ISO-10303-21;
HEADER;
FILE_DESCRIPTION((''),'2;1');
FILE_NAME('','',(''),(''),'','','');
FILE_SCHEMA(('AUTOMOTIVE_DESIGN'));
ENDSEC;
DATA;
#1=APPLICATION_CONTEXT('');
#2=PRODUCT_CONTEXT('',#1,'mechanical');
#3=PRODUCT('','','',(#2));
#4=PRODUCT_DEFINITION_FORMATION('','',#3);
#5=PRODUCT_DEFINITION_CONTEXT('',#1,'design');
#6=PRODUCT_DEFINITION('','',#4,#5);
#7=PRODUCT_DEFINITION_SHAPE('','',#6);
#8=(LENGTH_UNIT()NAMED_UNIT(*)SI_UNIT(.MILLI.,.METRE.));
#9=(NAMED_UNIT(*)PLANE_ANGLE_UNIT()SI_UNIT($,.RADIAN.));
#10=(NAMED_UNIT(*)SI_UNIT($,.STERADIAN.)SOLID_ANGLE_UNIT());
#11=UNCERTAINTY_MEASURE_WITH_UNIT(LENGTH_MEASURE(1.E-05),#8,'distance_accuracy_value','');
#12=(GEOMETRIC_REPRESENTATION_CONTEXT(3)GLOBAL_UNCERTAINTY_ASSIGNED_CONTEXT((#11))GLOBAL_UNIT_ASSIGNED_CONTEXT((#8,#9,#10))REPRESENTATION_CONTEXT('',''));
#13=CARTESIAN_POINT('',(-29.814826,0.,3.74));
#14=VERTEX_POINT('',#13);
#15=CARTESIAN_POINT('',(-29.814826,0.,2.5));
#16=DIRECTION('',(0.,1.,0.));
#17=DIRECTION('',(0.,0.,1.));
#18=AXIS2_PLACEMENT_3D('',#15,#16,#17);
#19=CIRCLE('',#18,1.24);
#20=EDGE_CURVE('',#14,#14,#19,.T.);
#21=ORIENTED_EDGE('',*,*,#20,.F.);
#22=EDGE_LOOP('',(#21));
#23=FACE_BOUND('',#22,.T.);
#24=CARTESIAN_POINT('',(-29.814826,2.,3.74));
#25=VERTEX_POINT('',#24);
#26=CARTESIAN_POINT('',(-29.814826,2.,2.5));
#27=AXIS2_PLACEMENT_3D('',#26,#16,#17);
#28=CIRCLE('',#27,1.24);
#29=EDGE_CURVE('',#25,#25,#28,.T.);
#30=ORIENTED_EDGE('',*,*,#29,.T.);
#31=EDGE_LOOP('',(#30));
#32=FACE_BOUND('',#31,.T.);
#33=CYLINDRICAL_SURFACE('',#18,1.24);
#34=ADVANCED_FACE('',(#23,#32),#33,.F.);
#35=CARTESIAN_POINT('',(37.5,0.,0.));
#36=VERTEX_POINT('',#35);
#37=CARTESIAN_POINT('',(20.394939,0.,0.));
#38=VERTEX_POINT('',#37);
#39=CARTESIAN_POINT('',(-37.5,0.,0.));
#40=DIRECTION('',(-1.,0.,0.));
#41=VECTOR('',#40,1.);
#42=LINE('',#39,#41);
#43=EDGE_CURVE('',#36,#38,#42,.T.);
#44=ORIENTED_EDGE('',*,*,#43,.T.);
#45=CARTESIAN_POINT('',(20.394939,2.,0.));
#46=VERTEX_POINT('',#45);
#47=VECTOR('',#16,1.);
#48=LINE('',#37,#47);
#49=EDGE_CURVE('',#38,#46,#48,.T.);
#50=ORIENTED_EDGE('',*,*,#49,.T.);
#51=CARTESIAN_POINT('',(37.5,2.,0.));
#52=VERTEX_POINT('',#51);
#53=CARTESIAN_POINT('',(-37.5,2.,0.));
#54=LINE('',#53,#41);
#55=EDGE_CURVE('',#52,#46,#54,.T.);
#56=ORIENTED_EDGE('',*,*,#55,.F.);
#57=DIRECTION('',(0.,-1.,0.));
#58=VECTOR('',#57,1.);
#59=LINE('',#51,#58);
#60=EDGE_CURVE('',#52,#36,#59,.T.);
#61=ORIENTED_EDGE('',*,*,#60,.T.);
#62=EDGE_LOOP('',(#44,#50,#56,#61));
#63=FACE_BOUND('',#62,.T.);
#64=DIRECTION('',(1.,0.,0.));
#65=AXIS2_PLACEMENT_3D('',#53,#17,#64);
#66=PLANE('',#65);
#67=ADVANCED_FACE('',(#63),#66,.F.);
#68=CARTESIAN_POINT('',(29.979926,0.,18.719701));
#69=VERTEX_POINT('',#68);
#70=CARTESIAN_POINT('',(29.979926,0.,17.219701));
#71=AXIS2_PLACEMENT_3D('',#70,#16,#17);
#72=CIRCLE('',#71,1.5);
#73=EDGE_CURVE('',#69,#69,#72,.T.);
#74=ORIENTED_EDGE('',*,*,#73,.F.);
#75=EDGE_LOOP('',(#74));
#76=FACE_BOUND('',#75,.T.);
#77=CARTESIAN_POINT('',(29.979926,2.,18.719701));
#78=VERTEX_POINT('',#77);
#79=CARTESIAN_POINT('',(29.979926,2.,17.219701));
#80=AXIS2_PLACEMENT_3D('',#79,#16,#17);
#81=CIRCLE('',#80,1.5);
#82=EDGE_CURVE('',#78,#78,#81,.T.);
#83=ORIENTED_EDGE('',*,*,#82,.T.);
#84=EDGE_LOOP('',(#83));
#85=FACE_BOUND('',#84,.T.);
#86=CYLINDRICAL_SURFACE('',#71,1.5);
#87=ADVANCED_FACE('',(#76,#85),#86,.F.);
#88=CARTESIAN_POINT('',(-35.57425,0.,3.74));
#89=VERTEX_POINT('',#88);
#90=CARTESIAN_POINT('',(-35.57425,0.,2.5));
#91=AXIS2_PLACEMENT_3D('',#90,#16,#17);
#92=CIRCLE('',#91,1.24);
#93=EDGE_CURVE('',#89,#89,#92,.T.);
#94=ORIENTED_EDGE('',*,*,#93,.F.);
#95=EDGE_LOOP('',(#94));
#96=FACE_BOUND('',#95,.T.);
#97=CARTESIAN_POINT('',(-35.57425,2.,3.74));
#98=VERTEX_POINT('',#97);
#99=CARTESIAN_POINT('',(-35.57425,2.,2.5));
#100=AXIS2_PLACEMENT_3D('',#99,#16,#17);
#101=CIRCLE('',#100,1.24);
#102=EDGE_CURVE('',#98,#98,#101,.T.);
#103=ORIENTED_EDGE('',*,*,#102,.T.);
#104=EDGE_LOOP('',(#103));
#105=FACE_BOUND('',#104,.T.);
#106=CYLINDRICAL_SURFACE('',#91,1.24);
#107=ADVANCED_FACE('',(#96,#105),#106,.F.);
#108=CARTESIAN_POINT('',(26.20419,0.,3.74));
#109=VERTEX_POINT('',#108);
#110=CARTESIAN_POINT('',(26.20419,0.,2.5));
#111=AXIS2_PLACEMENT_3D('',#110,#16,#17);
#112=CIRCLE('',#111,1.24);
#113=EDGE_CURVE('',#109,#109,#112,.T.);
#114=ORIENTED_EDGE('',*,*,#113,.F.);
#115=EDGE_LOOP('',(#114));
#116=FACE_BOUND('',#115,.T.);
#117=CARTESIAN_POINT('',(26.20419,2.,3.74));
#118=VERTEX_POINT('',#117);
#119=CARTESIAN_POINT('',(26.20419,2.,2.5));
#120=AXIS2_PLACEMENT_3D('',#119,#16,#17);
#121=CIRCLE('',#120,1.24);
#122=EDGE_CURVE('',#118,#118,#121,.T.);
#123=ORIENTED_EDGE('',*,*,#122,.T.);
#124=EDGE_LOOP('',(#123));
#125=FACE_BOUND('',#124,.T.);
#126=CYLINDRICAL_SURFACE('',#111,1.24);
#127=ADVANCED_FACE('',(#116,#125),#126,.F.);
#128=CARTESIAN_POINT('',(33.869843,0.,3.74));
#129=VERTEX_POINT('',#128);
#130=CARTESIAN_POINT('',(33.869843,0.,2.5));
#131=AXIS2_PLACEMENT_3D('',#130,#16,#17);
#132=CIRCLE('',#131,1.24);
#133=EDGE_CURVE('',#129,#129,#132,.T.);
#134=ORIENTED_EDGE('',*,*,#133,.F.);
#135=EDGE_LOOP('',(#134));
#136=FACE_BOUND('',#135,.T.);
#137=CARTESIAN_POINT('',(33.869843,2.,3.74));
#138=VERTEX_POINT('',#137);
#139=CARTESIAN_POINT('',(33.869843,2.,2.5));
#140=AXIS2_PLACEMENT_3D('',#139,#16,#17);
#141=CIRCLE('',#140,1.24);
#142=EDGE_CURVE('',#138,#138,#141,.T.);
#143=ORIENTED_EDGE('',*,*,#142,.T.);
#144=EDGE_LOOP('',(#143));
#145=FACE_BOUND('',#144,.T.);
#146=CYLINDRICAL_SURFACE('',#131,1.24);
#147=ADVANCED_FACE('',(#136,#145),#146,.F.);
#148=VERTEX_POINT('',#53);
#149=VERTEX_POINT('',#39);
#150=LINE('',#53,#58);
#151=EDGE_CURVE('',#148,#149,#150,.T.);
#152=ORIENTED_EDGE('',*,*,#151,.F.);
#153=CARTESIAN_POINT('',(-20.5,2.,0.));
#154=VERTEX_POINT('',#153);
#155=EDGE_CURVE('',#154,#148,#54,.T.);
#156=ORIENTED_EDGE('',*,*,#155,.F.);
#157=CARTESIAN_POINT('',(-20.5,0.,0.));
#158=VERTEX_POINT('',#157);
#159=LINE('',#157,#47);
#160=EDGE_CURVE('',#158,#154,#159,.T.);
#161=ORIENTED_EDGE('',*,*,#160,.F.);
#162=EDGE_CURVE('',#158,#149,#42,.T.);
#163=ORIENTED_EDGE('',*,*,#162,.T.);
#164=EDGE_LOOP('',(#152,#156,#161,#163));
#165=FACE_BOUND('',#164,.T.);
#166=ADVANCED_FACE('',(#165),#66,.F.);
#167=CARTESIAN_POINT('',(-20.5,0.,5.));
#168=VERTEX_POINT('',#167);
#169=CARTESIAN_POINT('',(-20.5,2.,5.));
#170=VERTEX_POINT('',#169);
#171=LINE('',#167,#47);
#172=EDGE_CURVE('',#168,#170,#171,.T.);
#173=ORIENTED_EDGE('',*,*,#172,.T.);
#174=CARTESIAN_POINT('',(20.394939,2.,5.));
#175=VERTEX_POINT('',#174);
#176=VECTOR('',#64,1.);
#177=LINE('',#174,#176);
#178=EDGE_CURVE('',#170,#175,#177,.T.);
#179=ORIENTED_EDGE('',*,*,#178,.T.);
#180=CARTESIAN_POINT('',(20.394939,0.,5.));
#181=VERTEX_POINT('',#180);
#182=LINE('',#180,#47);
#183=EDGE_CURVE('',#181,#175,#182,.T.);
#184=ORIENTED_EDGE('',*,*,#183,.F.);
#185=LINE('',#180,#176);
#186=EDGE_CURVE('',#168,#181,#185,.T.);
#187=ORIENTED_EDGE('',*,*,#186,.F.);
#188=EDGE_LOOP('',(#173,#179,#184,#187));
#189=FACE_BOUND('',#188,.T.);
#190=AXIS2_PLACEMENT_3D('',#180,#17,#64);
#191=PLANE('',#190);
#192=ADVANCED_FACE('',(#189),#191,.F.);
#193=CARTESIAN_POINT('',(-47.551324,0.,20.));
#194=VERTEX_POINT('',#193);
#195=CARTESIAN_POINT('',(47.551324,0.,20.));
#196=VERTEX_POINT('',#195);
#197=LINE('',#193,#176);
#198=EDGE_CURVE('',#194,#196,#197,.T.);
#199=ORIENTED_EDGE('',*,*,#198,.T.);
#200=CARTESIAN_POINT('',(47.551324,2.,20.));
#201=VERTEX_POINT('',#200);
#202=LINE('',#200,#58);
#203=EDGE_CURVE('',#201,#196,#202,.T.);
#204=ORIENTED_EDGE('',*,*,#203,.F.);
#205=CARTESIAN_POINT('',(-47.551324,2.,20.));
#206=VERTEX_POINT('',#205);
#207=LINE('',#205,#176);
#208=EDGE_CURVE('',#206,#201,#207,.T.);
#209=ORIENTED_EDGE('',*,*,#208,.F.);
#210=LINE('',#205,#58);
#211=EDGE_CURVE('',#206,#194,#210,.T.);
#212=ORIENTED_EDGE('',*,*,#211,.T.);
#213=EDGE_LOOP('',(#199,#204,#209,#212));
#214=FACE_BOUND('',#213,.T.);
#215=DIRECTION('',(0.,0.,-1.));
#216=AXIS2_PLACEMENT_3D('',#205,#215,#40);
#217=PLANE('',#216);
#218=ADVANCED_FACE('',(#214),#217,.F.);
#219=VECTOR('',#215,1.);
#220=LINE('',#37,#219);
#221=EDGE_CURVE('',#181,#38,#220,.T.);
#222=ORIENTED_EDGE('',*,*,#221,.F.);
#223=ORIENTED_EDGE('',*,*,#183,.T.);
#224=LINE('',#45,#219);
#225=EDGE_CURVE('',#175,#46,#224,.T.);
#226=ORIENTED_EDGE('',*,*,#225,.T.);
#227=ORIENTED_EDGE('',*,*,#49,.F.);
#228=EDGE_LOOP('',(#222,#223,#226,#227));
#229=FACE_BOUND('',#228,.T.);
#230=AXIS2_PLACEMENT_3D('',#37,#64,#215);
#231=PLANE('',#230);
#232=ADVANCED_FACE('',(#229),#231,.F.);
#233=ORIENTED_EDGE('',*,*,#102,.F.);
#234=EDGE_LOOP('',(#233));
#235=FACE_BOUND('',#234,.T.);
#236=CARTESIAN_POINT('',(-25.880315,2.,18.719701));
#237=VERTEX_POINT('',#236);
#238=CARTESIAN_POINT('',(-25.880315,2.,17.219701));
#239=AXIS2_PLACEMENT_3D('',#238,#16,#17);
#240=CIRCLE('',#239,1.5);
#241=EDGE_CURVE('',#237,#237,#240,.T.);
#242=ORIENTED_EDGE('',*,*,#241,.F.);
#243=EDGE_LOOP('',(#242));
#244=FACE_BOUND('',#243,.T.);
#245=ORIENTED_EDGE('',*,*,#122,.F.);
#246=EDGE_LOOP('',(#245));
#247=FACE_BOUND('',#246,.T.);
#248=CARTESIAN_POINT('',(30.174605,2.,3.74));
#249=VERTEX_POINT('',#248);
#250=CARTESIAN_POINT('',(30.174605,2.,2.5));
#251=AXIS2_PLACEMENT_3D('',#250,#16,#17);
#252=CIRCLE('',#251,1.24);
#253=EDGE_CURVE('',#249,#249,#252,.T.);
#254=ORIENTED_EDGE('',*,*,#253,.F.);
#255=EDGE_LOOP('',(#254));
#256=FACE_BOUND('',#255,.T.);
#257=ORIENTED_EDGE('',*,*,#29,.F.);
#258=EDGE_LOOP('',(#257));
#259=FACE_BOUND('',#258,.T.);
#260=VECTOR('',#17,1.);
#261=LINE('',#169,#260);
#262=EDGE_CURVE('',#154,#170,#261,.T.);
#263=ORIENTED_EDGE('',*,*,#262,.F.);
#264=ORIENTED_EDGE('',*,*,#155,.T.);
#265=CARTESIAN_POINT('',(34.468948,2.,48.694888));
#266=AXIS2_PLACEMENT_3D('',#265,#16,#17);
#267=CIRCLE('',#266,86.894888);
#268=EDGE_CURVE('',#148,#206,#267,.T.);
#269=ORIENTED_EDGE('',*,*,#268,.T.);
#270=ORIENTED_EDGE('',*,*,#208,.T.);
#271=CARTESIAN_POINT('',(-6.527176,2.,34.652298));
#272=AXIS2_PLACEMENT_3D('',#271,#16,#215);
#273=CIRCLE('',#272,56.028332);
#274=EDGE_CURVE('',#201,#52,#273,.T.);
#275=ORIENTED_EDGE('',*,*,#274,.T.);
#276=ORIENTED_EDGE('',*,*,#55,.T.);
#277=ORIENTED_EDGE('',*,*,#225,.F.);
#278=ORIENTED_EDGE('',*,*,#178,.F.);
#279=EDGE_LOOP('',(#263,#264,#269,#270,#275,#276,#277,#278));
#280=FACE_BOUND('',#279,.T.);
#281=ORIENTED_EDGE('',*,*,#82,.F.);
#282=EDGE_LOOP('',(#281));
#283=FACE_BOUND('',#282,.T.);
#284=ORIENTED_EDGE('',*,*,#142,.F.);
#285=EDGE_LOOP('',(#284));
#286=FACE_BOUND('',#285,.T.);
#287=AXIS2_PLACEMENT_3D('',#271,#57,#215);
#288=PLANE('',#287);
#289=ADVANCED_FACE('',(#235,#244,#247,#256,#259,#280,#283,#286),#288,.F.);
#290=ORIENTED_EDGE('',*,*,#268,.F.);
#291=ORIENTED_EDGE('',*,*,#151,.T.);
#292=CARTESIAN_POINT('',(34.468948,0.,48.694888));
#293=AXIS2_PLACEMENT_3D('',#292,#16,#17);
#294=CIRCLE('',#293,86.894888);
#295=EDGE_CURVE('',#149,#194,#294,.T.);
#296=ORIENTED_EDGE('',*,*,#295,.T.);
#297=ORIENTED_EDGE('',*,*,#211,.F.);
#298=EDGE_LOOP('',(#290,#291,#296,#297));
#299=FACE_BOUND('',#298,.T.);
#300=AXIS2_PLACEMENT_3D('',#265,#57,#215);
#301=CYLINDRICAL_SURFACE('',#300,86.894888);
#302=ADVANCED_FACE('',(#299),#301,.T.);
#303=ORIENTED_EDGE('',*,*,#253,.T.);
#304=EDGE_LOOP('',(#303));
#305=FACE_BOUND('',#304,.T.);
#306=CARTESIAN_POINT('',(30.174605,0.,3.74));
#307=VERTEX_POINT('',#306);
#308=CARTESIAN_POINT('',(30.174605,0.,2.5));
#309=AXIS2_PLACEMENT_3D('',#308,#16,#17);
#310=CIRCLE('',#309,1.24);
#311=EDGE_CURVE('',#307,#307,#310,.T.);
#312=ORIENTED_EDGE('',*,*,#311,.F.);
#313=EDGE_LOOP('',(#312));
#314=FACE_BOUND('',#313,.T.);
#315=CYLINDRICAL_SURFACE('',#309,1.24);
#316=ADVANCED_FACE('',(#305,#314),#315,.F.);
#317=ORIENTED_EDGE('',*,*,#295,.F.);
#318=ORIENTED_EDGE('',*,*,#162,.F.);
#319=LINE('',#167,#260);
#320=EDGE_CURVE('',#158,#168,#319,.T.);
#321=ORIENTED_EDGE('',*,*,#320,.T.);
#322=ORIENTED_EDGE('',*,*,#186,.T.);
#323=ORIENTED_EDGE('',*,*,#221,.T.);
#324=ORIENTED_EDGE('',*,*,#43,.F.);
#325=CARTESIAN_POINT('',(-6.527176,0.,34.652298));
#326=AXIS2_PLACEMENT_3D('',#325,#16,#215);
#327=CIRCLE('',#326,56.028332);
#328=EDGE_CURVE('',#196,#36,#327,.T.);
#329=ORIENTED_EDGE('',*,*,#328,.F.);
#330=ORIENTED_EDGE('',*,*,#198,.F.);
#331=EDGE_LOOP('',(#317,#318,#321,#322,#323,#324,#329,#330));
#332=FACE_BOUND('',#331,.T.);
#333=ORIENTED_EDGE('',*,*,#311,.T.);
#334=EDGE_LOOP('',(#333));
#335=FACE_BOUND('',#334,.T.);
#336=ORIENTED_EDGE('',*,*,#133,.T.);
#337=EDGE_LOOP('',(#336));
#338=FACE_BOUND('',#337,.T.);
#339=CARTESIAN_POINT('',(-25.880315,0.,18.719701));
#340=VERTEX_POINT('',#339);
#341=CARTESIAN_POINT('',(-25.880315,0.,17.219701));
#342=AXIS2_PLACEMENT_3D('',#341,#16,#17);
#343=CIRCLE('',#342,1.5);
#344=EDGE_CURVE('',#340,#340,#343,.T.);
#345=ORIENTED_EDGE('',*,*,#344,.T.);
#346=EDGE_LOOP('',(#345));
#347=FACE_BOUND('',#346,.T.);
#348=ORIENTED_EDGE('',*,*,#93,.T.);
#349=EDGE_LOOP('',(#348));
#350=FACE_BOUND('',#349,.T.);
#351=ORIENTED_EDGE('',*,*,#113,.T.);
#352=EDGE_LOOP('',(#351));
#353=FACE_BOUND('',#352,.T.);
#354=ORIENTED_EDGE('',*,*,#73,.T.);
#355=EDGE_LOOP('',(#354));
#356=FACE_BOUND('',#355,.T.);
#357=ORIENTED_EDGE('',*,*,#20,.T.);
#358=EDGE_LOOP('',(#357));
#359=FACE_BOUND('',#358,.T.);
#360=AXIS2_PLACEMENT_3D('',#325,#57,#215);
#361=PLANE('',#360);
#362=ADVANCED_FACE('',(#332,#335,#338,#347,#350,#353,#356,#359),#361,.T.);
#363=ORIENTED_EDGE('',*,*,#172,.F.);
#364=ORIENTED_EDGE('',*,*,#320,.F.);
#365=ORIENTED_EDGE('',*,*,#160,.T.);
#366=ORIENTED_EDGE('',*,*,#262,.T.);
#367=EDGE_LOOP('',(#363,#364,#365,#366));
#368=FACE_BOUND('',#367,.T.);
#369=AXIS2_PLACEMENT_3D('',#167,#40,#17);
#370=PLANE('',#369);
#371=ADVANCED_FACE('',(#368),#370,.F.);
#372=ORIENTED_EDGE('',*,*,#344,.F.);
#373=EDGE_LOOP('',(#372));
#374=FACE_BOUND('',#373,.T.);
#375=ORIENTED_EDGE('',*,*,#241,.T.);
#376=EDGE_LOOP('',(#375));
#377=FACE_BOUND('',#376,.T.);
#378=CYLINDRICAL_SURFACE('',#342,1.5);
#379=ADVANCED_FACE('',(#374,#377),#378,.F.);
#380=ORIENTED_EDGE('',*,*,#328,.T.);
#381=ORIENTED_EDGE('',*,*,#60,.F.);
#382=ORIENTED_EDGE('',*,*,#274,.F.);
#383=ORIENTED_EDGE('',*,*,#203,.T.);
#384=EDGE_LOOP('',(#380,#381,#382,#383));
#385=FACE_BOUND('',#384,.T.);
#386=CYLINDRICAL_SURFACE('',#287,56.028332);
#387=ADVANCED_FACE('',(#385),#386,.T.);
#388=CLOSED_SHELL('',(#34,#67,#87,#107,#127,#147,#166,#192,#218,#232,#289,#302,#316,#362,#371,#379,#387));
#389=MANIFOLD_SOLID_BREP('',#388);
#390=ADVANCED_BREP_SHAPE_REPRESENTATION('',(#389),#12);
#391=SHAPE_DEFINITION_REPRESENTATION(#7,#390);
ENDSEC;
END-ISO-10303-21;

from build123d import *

# Parameters (mm, degrees)
BOSS_EXTRUDE1_DEPTH = 2
SKETCH2_W           = 40.894938579
SKETCH2_H           = 5
CUT_EXTRUDE1_DEPTH  = 2
SKETCH3_R           = 1.24
CUT_EXTRUDE2_DEPTH  = 2
SKETCH4_R           = 1.5
CUT_EXTRUDE3_DEPTH  = 2


with BuildPart() as part:
    # Sketch1 → Boss-Extrude1 (new body)
    with BuildSketch(Plane(origin=(0, 0, 0), x_dir=(1, 0, 0), z_dir=(0, 1, 0))):
        with BuildLine():
            Line((-37.5, 0), (37.5, 0))
            ThreePointArc((37.5, 0), (43.534594906, -9.492944386), (47.551323816, -20))
            Line((47.551323816, -20), (-47.551323816, -20))
            ThreePointArc((-47.551323816, -20), (-43.172342271, -9.675000313), (-37.5, 0))
        make_face()
    extrude(amount=BOSS_EXTRUDE1_DEPTH)

    # Sketch2 → Cut-Extrude1 (cut)
    with BuildSketch(Plane(origin=(0, 2, 0), x_dir=(1, 0, 0), z_dir=(0, 1, 0))):
        with Locations((-0.05253071, -2.5)):
            Rectangle(SKETCH2_W, SKETCH2_H)
    extrude(amount=-CUT_EXTRUDE1_DEPTH, mode=Mode.SUBTRACT)

    # Sketch3 → Cut-Extrude2 (cut)
    with BuildSketch(Plane(origin=(0, 2, 0), x_dir=(1, 0, 0), z_dir=(0, 1, 0))):
        with Locations(Location((-29.814825978, -2.5, 0), (0, 0, 270))):
            Circle(SKETCH3_R)
        with Locations(Location((26.204190081, -2.5, 0), (0, 0, 270))):
            Circle(SKETCH3_R)
        with Locations(Location((-35.574250481, -2.5, 0), (0, 0, 270))):
            Circle(SKETCH3_R)
        with Locations(Location((30.174605265, -2.5, 0), (0, 0, 270))):
            Circle(SKETCH3_R)
        with Locations(Location((33.86984316, -2.5, 0), (0, 0, 270))):
            Circle(SKETCH3_R)
    extrude(amount=-CUT_EXTRUDE2_DEPTH, mode=Mode.SUBTRACT)

    # Sketch4 → Cut-Extrude3 (cut)
    with BuildSketch(Plane(origin=(0, 2, 0), x_dir=(1, 0, 0), z_dir=(0, 1, 0))):
        with Locations(Location((-25.88031453, -17.219701094, 0), (0, 0, 270))):
            Circle(SKETCH4_R)
        with Locations(Location((29.979925966, -17.219701094, 0), (0, 0, 270))):
            Circle(SKETCH4_R)
    extrude(amount=-CUT_EXTRUDE3_DEPTH, mode=Mode.SUBTRACT)


solid = part.part
